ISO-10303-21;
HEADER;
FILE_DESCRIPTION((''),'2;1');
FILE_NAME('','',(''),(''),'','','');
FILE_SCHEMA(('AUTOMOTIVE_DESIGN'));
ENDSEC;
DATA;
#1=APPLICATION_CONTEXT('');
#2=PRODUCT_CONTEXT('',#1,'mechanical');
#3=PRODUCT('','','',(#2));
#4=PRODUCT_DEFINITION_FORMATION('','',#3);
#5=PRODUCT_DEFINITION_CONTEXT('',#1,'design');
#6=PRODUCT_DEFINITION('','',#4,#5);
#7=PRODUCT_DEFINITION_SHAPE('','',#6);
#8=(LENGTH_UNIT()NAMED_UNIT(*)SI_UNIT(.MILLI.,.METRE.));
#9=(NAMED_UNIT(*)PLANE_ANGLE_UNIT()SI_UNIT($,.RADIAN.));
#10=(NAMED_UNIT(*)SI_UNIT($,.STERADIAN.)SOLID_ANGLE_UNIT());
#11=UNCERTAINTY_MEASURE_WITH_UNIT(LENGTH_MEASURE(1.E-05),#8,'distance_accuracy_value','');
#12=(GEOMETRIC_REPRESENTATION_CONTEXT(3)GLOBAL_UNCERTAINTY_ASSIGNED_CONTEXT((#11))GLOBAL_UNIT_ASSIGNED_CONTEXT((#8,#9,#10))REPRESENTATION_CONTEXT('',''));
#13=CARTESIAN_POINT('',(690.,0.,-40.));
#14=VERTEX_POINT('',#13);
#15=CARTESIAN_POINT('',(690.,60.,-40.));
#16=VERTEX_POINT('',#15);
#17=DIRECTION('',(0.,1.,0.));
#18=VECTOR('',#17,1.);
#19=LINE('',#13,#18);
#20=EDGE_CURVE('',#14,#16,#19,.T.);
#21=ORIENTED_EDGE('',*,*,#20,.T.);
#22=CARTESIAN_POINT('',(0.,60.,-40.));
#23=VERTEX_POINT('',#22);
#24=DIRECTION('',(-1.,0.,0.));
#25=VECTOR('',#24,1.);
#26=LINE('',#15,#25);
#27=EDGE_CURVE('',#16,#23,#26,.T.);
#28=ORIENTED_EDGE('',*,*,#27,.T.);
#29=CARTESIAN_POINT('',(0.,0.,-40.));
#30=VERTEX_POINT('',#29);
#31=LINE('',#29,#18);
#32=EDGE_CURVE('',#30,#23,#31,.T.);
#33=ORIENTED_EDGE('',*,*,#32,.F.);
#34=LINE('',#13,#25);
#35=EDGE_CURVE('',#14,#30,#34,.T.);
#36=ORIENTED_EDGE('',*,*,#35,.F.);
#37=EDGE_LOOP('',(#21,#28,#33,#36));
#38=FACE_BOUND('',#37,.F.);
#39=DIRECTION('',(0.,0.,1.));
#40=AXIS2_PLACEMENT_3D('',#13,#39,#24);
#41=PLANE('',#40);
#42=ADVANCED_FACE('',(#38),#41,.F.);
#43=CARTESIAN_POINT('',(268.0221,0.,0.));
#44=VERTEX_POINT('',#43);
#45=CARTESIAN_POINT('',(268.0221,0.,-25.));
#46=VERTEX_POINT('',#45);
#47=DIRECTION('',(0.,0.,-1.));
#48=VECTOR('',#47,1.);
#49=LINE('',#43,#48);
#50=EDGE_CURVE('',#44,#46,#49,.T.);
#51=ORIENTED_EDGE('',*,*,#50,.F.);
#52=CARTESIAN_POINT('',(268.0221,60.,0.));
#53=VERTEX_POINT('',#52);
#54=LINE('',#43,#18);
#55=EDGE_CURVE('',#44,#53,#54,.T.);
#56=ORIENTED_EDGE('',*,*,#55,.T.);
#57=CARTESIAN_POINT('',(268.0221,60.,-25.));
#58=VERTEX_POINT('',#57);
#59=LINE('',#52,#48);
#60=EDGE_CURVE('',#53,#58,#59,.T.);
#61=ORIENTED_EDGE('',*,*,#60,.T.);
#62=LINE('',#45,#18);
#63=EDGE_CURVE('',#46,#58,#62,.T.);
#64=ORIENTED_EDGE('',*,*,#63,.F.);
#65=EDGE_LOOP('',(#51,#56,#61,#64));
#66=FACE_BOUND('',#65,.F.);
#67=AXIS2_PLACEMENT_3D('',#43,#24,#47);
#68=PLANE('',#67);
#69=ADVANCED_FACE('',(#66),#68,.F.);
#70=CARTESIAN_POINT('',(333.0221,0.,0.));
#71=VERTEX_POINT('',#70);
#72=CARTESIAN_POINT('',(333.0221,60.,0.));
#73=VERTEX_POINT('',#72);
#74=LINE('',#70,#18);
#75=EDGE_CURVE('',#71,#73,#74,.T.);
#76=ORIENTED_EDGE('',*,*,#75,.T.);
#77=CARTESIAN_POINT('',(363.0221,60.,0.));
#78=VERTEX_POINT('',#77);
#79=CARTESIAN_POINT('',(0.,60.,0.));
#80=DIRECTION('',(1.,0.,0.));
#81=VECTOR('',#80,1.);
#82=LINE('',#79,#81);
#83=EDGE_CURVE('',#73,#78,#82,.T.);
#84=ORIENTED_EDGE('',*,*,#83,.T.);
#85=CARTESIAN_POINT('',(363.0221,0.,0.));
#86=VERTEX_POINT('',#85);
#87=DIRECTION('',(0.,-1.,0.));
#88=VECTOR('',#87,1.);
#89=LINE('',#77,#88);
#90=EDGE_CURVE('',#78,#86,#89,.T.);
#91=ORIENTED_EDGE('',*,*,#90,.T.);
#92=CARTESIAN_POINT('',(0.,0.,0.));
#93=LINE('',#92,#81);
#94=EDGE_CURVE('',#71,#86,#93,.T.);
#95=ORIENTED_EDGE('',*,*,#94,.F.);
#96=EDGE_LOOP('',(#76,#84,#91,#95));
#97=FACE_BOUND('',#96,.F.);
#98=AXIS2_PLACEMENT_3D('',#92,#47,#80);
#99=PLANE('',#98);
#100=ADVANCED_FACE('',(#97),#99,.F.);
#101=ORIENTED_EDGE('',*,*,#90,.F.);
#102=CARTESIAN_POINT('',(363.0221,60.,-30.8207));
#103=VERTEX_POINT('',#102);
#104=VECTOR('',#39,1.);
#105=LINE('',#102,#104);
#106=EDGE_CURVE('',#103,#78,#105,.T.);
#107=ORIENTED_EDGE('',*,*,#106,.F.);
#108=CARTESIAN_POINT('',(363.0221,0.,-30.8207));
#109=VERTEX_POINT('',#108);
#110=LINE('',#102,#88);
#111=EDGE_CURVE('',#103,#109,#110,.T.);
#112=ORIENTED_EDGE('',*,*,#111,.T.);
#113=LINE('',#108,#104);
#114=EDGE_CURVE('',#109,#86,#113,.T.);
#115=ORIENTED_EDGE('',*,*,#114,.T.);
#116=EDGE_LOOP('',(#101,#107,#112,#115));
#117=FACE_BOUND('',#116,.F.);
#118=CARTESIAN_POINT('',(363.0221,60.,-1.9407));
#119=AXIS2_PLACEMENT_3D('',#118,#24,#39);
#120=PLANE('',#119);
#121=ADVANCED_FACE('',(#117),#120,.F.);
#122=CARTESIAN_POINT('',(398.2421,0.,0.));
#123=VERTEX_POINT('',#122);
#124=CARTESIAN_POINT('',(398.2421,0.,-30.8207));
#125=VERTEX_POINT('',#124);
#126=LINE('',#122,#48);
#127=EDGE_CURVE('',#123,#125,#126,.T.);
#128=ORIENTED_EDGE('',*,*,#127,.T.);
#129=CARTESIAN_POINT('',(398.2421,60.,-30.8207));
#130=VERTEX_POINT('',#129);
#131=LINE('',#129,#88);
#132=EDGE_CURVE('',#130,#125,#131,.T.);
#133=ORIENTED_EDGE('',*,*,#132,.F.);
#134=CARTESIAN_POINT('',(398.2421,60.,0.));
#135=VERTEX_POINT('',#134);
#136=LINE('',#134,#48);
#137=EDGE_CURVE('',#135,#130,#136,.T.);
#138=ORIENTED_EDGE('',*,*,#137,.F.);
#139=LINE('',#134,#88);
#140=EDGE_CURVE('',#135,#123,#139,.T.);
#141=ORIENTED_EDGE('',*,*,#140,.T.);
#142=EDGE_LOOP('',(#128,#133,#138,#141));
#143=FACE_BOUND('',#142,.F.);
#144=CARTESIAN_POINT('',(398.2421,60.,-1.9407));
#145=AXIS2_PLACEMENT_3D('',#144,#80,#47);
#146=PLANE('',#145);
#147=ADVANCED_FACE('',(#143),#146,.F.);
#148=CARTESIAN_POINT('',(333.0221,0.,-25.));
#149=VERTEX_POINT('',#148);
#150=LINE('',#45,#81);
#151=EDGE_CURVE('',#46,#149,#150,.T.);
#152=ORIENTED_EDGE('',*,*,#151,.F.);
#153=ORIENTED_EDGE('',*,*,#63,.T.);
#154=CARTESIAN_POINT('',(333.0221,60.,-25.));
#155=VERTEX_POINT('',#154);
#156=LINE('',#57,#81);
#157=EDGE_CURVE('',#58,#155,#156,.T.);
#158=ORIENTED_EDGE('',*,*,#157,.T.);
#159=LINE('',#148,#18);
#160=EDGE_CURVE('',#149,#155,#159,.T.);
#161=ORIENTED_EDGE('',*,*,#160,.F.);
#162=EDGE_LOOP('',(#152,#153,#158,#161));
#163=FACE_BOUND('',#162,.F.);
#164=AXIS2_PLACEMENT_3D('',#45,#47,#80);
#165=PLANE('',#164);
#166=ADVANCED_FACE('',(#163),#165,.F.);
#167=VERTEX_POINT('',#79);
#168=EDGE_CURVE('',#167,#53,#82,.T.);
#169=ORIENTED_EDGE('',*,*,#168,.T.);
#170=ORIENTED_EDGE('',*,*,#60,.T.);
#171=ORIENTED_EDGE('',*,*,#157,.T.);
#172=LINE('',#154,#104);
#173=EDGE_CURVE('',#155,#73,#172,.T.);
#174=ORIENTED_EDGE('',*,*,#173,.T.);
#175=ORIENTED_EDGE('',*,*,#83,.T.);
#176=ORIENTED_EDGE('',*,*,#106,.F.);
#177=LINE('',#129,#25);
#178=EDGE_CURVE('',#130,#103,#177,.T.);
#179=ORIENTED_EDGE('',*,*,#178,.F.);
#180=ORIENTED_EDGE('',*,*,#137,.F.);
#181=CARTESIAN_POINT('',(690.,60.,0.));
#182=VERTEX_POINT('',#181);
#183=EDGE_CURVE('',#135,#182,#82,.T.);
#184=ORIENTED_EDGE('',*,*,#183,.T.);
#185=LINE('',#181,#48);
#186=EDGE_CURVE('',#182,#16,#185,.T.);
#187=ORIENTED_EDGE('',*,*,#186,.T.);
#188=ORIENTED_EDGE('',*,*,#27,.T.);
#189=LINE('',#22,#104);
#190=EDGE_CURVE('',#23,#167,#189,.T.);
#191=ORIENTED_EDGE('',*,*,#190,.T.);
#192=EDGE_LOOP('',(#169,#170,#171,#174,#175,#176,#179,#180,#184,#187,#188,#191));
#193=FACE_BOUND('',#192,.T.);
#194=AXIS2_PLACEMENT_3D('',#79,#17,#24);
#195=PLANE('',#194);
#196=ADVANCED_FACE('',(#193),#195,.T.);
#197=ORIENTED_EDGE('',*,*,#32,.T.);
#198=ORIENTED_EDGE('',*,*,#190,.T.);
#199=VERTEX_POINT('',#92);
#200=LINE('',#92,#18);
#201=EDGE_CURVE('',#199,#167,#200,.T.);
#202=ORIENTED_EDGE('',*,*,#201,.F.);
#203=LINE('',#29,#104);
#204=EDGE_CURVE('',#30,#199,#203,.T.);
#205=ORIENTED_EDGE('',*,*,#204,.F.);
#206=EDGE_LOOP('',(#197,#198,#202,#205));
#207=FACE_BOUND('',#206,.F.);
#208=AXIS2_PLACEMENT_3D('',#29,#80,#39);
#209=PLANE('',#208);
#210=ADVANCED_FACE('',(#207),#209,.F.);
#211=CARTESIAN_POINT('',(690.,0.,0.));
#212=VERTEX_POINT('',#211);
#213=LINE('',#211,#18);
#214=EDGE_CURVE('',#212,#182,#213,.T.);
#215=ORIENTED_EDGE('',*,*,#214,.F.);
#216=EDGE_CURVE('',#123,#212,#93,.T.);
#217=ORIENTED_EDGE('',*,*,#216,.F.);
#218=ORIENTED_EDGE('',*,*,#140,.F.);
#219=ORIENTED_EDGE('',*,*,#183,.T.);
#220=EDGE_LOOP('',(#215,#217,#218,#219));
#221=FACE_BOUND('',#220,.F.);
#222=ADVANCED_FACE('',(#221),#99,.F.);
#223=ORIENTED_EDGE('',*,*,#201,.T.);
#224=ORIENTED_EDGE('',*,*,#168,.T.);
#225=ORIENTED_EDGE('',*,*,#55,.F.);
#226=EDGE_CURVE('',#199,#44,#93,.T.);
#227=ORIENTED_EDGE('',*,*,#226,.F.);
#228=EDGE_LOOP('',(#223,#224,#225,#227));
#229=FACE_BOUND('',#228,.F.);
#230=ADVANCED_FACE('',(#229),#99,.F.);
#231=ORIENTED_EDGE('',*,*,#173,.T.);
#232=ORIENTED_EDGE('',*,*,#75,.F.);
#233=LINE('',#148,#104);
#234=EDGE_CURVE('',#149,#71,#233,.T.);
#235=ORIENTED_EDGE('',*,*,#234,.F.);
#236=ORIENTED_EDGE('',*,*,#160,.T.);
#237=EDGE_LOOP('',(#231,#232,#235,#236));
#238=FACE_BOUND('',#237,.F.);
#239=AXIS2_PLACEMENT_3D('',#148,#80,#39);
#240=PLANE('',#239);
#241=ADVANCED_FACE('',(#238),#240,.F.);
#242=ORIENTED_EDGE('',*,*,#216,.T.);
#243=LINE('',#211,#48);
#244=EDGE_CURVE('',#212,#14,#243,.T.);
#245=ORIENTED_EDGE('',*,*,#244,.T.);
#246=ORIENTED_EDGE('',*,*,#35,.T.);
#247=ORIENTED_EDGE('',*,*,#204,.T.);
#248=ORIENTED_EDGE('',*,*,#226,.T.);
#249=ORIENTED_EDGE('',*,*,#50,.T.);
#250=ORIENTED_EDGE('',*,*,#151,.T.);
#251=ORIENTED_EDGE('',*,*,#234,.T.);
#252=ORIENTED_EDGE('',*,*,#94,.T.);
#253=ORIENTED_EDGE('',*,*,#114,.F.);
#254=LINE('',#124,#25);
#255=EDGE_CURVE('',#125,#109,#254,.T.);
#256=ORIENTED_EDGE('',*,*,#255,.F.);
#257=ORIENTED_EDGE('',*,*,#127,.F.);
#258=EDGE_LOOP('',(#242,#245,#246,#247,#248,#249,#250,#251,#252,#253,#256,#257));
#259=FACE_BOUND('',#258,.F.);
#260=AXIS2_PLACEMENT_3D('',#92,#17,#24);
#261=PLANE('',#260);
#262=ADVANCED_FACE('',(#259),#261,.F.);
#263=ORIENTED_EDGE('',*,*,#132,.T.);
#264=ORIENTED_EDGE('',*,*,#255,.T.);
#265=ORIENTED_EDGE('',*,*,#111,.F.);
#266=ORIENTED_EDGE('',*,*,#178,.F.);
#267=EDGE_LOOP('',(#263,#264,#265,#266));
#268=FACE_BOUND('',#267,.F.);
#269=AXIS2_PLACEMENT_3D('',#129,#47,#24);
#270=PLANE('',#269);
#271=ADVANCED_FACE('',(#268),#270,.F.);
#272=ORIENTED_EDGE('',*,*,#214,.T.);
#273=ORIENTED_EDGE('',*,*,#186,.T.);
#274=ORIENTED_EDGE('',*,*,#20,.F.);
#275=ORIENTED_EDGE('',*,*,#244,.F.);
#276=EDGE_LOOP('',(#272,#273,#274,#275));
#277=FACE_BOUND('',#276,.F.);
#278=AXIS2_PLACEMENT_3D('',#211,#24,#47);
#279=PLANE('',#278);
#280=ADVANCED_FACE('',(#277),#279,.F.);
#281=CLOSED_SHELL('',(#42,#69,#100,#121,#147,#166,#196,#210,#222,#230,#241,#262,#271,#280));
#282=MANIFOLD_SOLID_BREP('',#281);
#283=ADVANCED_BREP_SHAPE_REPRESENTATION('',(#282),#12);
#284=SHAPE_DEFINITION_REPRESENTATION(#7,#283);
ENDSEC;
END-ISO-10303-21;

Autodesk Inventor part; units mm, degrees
ref_plane "YZ Plane" through (0, 0, 0) normal (1, 0, 0) x (0, 1, 0)
ref_plane "XZ Plane" through (0, 0, 0) normal (0, 1, 0) x (-1, 0, 0)
ref_plane "XY Plane" through (0, 0, 0) normal (0, 0, 1) x (1, 0, 0)
sketch "Sketch1" plane through (0, 0, 0) normal (0, 1, 0) x (-1, 0, 0)
  line L0 (0, 0) -> (-690, 0)
  line L1 (-690, 0) -> (-690, -40)
  line L2 (-690, -40) -> (0, -40)
  line L3 (0, -40) -> (0, 0)
  dimension "d0" = 690
  dimension "d1" = 40
extrude "Extrusion1" add sketch "Sketch1" along normal blind 60
sketch "Sketch3" plane through (0, 60, 0) normal (0, 1, 0) x (1, 0, 0)
  circle A0 centre (380.6828, 16.7692) radius 7.5
  line L0 (368.0221, 25.8207) -> (368.0221, 1.9407)
  line L1 (393.2421, 25.8207) -> (368.0221, 25.8207)
  line L2 (393.2421, 1.9407) -> (393.2421, 25.8207)
  line L3 (368.0221, 1.9407) -> (393.2421, 1.9407)
  line L4 (0, 0) -> (690, 0)
  line L5 (690, 40) -> (0, 40)
  line L6 (0, 40) -> (0, 0)
  line L7 (368.0221, 1.9407) -> (363.0221, 1.9407)
  line L8 (368.0221, 25.8207) -> (368.0221, 30.8207)
  line L9 (393.2421, 1.9407) -> (398.2421, 1.9407)
  line L10 (363.0221, 1.9407) -> (363.0221, 0)
  line L11 (398.2421, 1.9407) -> (398.2421, 0)
  line L12 (363.0221, 0) -> (398.2421, 0)
  line L13 (398.2421, 0) -> (398.2421, 30.8207)
  line L14 (398.2421, 30.8207) -> (363.0221, 30.8207)
  line L15 (363.0221, 30.8207) -> (363.0221, 0)
  point P0 (0, 40)
  dimension "d6" = 5
  dimension "d7" = 5
  dimension "d8" = 5
extrude "Extrusion3" cut sketch "Sketch3" against normal blind 60 contours A0 | L1 L2 L3 L0 | L8 L14 L13 L9 L2 L1 | L0 L7 L15 L14 L8 | L3 L9 L11 L4 L10 L7
sketch "Sketch4" plane through (0, 0, 0) normal (0, -1, 0) x (1, 0, 0)
  line L0 (0, 0) -> (363.0221, 0) projected
  line L1 (333.0221, 0) -> (268.0221, 0)
  line L2 (268.0221, 0) -> (268.0221, -25)
  line L3 (268.0221, -25) -> (333.0221, -25)
  line L4 (333.0221, -25) -> (333.0221, 0)
  line L5 (363.0221, -30.8207) -> (363.0221, 0) projected
  dimension "d11" = 65
  dimension "d12" = 25
  dimension "d13" = 30
extrude "Extrusion4" cut sketch "Sketch4" against normal blind 60
properties part number "Cadru_4"
